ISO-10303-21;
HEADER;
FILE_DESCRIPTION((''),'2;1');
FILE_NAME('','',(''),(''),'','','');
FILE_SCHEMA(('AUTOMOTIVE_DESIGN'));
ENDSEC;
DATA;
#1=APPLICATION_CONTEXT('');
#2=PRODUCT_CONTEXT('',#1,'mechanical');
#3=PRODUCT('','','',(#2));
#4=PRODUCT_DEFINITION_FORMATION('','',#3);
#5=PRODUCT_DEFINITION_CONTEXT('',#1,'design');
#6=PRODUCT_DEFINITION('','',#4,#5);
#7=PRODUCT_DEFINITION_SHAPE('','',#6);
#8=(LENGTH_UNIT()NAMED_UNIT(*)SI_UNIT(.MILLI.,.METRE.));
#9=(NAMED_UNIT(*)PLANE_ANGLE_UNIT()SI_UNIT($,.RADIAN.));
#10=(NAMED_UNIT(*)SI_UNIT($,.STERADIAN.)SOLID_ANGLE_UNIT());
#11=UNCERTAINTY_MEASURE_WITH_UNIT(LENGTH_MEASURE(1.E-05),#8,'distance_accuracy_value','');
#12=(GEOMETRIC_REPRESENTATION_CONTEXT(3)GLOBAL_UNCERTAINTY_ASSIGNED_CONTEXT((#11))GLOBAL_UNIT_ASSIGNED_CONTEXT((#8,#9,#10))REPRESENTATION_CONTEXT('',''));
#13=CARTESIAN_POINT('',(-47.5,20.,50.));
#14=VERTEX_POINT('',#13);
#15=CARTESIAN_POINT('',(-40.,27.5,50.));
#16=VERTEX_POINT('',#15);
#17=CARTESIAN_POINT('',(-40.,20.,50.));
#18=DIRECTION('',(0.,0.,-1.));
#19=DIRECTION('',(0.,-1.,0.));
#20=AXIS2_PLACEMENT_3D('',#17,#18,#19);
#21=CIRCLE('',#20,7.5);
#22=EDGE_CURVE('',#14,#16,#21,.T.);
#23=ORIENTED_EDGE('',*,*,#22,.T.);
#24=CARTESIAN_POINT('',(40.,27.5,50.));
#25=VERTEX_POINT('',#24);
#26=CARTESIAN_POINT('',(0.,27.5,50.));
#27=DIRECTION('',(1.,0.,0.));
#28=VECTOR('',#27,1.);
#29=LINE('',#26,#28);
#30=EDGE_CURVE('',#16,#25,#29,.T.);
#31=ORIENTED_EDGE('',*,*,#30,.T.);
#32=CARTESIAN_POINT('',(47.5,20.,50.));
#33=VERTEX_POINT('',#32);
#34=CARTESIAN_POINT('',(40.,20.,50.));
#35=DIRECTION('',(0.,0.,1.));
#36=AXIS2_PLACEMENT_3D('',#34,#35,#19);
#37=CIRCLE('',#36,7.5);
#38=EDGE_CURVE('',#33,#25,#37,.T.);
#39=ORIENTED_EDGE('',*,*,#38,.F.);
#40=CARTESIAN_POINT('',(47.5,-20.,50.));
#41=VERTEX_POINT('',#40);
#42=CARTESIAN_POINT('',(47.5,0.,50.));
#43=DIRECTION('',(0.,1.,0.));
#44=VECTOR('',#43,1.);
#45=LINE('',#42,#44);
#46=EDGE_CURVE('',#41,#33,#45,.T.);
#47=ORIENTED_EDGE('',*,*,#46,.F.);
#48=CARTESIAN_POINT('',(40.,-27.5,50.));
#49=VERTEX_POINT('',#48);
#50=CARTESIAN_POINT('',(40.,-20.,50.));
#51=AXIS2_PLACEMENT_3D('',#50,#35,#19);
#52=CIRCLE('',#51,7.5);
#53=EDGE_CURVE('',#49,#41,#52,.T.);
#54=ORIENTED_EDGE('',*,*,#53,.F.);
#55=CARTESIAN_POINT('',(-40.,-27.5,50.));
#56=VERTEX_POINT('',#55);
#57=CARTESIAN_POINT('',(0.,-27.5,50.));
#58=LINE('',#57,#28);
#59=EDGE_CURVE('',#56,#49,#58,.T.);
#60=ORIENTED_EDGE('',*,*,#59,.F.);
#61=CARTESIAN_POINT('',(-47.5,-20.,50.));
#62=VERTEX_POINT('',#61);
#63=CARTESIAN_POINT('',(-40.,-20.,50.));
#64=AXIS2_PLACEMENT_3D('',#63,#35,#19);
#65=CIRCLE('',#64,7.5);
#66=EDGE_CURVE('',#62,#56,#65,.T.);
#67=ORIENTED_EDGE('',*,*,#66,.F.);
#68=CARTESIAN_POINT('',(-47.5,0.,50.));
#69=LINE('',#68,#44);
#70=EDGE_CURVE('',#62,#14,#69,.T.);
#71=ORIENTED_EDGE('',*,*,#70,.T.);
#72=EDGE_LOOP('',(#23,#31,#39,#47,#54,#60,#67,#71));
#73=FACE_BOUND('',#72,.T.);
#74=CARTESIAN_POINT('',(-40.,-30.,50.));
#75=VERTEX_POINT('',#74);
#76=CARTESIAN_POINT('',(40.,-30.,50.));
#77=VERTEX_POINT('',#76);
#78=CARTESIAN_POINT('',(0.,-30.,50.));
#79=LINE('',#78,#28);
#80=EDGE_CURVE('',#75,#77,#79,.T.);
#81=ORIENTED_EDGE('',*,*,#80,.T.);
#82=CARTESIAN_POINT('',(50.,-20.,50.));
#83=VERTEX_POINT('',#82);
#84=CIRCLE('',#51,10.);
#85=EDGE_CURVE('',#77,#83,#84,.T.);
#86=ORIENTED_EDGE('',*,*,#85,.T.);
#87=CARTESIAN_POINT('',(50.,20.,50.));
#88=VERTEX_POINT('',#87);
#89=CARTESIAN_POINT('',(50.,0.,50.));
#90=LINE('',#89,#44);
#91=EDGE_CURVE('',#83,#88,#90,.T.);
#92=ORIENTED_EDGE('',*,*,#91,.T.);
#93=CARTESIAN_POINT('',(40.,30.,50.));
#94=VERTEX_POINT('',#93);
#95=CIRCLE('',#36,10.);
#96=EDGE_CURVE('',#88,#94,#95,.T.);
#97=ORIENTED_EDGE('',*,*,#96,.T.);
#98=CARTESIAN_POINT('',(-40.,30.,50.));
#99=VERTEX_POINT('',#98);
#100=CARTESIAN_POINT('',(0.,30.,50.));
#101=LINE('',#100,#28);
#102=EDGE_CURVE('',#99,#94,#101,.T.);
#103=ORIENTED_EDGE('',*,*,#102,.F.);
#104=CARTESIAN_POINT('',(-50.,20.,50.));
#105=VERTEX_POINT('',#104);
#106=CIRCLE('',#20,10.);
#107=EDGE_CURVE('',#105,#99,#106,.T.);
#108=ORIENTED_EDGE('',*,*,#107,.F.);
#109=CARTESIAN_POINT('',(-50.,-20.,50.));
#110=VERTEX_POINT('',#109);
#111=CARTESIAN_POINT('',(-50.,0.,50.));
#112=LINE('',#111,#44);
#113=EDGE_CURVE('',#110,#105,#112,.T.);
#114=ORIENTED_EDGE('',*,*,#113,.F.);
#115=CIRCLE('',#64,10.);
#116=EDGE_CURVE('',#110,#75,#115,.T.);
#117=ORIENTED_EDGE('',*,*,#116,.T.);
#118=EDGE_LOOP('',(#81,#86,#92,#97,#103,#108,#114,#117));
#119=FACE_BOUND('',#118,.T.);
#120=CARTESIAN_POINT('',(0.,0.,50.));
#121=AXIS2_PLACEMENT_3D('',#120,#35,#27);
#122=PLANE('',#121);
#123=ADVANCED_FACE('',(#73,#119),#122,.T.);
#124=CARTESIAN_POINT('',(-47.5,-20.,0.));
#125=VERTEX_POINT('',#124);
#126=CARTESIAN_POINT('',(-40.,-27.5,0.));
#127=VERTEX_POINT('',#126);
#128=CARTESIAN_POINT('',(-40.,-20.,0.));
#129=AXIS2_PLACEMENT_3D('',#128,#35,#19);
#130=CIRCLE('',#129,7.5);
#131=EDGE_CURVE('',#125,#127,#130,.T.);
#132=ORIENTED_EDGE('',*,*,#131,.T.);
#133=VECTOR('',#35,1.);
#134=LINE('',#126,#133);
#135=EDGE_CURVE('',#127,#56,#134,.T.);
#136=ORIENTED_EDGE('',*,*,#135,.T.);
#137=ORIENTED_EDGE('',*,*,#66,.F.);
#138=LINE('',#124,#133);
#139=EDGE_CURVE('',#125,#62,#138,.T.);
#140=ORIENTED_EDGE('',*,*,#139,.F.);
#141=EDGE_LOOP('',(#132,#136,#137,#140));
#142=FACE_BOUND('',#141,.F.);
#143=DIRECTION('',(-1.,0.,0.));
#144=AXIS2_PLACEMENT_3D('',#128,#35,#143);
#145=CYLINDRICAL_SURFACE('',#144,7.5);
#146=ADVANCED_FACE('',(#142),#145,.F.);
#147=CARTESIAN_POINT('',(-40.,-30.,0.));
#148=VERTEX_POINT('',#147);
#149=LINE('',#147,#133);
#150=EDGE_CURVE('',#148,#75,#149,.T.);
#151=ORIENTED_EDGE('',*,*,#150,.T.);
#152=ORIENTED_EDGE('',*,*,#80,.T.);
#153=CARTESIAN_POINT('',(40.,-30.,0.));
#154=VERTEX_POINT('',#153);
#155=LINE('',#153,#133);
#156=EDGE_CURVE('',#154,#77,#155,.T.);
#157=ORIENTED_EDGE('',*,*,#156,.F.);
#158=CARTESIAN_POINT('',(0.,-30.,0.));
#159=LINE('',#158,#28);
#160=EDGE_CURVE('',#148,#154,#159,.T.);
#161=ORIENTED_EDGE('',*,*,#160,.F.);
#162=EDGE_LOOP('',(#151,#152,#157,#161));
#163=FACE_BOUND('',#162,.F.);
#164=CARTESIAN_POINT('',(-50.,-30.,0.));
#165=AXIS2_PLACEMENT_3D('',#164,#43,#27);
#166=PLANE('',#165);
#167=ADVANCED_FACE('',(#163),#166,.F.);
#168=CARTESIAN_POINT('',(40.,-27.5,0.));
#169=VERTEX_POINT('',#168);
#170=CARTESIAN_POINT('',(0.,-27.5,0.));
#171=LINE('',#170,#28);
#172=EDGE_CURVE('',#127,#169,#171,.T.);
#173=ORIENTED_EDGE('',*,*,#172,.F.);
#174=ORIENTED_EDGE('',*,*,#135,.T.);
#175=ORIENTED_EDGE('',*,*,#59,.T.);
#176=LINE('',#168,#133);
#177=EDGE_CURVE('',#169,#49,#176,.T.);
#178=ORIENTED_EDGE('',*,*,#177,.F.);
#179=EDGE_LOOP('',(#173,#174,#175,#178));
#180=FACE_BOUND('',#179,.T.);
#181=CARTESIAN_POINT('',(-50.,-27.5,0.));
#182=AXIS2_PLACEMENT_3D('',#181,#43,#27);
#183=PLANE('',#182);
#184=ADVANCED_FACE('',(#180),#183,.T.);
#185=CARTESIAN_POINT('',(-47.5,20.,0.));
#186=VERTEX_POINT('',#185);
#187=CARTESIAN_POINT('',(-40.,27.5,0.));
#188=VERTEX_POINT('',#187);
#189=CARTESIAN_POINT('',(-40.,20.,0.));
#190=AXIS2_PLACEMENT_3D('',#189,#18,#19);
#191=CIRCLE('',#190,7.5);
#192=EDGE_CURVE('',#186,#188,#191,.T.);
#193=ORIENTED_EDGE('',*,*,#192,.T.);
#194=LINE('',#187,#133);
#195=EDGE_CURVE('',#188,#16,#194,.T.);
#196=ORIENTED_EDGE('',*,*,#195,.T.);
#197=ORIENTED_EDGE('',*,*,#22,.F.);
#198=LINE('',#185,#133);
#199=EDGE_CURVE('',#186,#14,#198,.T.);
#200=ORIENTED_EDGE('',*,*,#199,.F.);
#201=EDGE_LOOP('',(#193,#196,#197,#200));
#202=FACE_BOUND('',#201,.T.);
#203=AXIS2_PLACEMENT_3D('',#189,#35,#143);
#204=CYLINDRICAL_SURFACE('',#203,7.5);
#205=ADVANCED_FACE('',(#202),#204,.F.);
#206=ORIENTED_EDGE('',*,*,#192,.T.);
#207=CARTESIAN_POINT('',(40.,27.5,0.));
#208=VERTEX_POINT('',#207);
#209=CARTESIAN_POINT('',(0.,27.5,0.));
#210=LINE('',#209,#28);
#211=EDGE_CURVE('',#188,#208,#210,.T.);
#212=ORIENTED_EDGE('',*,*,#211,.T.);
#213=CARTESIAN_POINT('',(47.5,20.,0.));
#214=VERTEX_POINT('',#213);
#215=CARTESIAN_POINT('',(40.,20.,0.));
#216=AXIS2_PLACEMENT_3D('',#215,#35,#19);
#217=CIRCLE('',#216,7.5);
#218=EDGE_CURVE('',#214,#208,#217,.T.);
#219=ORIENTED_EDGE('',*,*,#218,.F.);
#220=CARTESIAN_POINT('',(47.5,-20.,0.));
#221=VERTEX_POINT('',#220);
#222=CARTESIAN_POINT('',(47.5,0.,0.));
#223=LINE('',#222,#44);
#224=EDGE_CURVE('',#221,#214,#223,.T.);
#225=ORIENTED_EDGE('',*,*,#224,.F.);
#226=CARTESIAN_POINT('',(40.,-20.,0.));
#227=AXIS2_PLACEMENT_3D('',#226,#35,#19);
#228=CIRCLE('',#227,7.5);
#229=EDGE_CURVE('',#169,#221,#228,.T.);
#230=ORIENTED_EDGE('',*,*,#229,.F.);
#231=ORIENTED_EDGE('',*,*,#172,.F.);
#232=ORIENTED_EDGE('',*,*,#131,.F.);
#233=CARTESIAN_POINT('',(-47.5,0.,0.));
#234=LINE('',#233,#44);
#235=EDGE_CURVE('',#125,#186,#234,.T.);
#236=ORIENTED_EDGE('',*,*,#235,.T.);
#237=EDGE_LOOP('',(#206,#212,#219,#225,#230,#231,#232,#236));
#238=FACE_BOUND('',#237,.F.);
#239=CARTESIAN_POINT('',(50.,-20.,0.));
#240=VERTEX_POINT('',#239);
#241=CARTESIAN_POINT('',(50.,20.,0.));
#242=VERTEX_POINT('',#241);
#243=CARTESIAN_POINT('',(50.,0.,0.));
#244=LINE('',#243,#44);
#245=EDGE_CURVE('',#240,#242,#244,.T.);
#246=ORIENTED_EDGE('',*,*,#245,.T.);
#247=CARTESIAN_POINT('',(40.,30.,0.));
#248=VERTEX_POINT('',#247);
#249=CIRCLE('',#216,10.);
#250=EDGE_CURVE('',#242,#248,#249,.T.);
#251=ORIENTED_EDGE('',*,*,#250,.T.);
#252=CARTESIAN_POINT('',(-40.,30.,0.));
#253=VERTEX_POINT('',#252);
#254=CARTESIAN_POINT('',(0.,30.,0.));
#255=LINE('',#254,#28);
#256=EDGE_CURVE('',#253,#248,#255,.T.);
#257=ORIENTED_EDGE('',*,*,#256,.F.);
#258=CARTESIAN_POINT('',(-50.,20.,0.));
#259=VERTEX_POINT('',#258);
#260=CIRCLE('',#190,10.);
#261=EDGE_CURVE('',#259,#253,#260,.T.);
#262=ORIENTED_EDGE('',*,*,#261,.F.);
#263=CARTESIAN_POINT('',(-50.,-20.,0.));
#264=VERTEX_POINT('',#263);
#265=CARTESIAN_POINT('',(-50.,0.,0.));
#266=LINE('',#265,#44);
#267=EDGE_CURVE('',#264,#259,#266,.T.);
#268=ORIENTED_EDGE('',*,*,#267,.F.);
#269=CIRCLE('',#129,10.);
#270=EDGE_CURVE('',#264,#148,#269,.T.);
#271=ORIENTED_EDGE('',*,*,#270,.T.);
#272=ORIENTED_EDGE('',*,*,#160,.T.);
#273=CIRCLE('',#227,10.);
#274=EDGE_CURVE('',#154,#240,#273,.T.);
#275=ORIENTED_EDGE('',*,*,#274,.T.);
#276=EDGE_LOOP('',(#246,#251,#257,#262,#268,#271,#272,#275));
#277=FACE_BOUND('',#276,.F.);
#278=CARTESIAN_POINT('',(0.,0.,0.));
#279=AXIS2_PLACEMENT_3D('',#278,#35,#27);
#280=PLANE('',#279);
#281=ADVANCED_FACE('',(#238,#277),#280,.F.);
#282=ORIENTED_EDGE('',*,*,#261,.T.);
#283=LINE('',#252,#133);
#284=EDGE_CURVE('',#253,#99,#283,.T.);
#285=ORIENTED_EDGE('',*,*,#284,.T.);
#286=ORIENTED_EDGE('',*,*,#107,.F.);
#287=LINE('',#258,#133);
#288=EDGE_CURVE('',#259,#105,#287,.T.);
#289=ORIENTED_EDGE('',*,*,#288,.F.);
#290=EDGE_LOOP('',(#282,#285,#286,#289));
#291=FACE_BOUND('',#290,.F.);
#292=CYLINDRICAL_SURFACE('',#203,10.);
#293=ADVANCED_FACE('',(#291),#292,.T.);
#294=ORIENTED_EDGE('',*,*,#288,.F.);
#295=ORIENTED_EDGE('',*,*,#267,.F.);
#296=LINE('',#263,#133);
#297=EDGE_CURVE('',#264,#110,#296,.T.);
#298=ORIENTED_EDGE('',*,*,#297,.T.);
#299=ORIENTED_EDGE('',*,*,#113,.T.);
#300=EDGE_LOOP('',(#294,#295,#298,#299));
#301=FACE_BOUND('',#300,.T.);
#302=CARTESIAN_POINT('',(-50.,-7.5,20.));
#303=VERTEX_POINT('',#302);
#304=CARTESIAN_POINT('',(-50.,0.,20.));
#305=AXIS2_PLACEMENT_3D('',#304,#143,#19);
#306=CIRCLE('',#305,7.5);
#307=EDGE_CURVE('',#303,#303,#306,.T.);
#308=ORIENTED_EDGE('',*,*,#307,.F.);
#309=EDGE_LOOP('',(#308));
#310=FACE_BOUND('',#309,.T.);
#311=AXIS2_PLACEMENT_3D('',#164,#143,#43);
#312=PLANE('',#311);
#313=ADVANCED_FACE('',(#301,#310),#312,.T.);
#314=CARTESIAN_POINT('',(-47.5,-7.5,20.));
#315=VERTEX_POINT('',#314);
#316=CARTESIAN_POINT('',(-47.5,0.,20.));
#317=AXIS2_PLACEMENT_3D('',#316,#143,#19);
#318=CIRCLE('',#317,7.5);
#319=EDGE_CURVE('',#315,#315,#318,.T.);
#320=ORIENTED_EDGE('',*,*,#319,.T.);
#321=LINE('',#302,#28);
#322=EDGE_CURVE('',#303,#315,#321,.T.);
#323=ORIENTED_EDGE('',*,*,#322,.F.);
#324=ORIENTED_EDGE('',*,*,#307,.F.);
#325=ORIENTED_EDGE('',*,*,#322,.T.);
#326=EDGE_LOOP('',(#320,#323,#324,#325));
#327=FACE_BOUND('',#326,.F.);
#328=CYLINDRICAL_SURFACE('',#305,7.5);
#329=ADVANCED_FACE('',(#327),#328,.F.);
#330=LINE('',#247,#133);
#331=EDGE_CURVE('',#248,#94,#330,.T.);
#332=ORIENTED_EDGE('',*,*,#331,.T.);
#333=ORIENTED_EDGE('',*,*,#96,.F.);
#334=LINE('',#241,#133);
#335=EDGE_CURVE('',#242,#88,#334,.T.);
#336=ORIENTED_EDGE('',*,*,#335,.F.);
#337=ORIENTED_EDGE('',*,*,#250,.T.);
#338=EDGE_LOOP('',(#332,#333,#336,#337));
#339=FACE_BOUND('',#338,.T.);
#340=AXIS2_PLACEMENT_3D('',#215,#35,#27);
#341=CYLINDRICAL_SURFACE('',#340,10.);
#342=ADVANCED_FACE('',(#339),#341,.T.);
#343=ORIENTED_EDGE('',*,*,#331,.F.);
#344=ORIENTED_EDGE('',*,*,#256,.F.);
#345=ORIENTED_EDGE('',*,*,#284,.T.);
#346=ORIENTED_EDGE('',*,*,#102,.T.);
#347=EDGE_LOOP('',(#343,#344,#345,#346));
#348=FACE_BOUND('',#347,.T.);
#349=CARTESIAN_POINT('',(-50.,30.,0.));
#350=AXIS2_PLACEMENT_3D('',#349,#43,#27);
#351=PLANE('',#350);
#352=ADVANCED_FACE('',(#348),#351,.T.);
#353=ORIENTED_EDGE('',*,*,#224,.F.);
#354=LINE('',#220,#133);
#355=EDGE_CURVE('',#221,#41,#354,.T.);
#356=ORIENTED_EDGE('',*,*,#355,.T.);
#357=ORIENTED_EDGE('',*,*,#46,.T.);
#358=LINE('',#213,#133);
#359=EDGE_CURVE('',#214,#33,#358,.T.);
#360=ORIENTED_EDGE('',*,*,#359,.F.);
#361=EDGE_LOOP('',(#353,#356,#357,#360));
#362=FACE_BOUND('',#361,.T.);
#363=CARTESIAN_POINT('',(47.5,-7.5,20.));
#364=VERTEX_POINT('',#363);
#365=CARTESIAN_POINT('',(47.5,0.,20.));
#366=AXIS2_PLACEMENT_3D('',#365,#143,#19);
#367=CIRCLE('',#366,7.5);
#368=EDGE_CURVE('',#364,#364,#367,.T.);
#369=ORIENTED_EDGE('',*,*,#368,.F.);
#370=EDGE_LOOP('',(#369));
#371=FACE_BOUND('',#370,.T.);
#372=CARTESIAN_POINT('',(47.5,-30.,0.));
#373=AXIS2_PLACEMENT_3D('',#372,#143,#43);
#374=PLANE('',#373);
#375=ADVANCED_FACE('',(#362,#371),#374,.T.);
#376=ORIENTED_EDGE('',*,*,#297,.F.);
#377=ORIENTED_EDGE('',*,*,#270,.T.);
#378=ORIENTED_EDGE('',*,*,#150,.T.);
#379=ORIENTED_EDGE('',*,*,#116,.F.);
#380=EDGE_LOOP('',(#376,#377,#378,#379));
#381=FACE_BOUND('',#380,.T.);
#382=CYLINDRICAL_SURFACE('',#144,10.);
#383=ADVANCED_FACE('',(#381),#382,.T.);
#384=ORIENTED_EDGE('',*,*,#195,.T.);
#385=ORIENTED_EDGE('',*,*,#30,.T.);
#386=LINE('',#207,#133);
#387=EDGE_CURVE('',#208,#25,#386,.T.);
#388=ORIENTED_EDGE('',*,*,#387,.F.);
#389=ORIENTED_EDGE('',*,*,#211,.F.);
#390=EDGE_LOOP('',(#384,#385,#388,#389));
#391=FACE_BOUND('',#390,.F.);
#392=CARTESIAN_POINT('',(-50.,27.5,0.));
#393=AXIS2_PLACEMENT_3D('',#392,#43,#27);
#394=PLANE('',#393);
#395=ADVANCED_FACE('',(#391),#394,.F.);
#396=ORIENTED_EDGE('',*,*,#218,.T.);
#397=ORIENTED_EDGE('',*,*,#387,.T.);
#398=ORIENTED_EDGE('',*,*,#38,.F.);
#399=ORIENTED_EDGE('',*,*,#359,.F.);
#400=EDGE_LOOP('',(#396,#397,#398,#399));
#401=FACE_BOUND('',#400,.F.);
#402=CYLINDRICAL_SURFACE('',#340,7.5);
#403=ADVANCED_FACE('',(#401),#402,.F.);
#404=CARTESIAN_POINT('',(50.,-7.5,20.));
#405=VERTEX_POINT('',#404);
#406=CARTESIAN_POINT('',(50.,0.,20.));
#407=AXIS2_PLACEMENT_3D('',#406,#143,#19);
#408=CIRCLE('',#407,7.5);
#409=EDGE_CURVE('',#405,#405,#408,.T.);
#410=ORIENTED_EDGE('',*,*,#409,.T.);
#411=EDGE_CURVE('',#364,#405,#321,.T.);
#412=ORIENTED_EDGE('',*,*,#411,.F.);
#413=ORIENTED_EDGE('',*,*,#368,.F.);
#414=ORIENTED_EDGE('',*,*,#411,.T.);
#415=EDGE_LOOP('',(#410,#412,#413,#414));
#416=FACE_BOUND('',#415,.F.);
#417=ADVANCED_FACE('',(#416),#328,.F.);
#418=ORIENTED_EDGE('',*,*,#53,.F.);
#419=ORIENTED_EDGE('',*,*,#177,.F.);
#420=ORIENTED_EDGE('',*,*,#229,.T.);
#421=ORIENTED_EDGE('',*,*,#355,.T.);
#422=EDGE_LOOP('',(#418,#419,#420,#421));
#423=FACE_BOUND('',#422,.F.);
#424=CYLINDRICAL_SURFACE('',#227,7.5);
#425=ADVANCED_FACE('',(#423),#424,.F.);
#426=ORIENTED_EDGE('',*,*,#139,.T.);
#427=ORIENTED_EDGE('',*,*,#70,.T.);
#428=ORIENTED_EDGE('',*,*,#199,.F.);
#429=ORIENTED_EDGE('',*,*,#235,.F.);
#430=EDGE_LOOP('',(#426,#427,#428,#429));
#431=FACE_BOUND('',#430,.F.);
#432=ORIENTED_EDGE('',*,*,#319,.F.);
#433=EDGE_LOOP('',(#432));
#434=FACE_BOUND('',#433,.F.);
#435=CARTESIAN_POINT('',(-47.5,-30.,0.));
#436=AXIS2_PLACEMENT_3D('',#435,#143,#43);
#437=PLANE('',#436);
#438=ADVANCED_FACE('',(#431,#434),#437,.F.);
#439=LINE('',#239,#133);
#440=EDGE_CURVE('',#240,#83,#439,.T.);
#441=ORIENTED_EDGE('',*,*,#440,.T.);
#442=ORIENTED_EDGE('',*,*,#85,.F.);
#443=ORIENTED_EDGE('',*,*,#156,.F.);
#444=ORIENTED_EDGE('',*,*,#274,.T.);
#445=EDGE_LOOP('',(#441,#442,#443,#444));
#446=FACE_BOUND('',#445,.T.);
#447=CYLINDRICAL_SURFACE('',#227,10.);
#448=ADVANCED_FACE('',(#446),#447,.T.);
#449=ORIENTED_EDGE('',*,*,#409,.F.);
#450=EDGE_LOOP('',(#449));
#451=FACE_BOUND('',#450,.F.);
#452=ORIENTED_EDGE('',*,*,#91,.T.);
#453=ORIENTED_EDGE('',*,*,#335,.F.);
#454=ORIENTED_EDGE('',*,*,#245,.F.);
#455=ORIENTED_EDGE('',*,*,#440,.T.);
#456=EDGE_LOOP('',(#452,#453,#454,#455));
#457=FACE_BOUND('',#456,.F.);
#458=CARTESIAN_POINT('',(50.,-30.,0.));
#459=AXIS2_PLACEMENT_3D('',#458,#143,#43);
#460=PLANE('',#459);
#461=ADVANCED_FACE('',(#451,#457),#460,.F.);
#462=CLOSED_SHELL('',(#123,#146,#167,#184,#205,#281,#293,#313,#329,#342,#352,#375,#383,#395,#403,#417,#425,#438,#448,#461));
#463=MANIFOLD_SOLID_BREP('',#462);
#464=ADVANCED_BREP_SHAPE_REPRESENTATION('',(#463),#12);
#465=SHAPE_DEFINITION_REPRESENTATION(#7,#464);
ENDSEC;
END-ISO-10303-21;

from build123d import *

# Parameters (mm, degrees)
F0_W     = 100
F0_H     = 60
F1_DEPTH = 50
F2_R     = 10
F3_T     = -2.5
F4_R     = 7.5
F5_DEPTH = 119.1


with BuildPart() as f1:
    # F0 (on Top) → F1 (new body)
    with BuildSketch(Plane.XY):
        Rectangle(F0_W, F0_H)
    extrude(amount=F1_DEPTH)

    # F2
    f2_edges = [f1.edges().sort_by_distance(p)[0] for p in [
        (50, -30, 25),
        (50, 30, 25),
        (-50, 30, 25),
        (-50, -30, 25),
    ]]
    fillet(f2_edges, radius=F2_R)

    # F3
    f3_openings = [f1.faces().sort_by_distance(p)[0] for p in [
        (0, 0, 50),
        (0, 0, 0),
    ]]
    offset(amount=F3_T, openings=f3_openings)

    # F4 (on face) → F5 (cut)
    with BuildSketch(Plane(origin=(-50, 0, 0), x_dir=(0, -1, 0), z_dir=(-1, 0, 0))):
        with Locations((0, 20)):
            Circle(F4_R)
    extrude(amount=-F5_DEPTH, mode=Mode.SUBTRACT)


solid = f1.part
